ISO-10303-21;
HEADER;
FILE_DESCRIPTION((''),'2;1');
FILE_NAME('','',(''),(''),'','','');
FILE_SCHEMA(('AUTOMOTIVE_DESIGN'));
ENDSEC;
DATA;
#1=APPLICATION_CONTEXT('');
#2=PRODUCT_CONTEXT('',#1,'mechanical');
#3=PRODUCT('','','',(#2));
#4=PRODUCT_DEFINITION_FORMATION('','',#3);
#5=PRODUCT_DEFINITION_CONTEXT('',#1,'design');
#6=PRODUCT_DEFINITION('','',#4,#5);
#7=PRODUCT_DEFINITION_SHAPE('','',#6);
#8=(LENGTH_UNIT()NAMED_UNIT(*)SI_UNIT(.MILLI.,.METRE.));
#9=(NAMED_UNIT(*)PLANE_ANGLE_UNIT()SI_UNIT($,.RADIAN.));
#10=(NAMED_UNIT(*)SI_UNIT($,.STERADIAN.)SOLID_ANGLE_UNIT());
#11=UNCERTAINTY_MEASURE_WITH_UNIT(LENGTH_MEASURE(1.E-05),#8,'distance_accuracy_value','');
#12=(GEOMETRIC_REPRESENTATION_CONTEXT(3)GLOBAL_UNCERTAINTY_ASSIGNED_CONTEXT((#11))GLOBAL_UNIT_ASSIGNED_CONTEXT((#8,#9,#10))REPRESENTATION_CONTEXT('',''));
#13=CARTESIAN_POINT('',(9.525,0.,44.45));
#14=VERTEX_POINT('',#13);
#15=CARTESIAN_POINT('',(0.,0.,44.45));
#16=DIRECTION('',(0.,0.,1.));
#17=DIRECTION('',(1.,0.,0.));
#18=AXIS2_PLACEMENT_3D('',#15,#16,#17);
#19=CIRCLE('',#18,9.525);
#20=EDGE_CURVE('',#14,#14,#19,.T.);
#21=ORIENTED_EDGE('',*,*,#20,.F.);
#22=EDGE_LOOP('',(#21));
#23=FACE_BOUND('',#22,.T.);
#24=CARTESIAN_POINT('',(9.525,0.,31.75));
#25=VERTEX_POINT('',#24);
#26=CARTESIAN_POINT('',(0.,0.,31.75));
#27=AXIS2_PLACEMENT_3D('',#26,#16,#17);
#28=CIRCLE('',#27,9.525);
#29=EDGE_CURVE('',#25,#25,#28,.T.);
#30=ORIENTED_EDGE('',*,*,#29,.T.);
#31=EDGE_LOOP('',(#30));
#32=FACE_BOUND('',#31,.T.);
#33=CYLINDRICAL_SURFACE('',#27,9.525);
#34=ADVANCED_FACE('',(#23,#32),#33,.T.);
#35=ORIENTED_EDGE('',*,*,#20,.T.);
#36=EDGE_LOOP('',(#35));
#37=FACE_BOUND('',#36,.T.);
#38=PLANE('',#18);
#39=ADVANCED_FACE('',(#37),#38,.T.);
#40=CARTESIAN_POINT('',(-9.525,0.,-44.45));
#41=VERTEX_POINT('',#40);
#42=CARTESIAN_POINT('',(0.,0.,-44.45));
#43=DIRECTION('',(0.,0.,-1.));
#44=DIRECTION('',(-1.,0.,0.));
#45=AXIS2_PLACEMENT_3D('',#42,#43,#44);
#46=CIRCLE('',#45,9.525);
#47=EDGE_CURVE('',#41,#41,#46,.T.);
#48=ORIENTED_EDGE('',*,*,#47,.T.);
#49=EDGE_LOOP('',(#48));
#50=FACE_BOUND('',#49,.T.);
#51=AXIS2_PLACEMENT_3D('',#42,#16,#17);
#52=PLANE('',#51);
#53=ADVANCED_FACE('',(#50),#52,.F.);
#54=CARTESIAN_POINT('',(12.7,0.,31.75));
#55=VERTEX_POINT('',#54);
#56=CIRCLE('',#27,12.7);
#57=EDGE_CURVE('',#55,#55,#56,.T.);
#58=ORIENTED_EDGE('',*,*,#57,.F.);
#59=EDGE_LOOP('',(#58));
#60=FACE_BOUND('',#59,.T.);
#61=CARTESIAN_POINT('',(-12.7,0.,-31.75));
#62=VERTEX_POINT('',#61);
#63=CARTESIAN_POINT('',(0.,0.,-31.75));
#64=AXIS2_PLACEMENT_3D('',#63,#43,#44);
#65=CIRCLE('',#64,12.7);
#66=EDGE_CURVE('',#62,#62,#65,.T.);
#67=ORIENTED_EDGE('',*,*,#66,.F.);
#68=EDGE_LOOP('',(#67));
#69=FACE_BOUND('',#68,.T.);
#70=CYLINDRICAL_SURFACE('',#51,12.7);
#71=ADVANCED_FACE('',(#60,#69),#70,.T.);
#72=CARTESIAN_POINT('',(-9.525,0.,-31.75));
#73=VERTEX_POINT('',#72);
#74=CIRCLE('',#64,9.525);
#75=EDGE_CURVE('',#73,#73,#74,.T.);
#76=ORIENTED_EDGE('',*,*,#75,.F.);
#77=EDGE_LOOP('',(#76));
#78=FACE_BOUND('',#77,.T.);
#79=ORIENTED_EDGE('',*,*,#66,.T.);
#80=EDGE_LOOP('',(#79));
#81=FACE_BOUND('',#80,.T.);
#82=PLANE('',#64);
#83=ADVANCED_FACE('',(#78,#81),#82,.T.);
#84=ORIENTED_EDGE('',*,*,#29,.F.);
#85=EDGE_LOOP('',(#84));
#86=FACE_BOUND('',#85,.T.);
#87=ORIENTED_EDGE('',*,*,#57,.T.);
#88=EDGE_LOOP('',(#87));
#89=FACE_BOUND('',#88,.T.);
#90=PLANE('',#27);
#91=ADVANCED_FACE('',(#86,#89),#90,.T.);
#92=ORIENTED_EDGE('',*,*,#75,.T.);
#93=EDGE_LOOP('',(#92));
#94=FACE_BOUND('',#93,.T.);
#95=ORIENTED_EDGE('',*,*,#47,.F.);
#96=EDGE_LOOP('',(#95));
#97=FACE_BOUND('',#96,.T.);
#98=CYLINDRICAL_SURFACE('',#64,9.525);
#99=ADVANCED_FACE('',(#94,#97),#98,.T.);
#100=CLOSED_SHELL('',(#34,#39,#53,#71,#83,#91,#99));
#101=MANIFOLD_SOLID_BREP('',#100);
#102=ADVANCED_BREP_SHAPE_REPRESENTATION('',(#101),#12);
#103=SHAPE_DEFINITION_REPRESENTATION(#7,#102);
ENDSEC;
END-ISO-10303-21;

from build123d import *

# Parameters (mm, degrees)
BOSS_EXTRUDE1_START = 44.45
SKETCH1_R           = 12.7
BOSS_EXTRUDE1_DEPTH = 88.9
SKETCH2_R           = 12.7
SKETCH2_R_2         = 9.525
CUT_EXTRUDE1_DEPTH  = 12.7
CUT_EXTRUDE2_START  = -12.7
SKETCH3_R           = 12.7
SKETCH3_R_2         = 9.525
CUT_EXTRUDE2_DEPTH  = 12.7


with BuildPart() as part:
    # Sketch1 → Boss-Extrude1 (new body)
    with BuildSketch(Plane.XY.offset(BOSS_EXTRUDE1_START)):
        Circle(SKETCH1_R)
    extrude(amount=-BOSS_EXTRUDE1_DEPTH)

    # Sketch2 → Cut-Extrude1 (cut)
    with BuildSketch(Plane.XY.offset(44.45)):
        Circle(SKETCH2_R)
        Circle(SKETCH2_R_2, mode=Mode.SUBTRACT)
    extrude(amount=-CUT_EXTRUDE1_DEPTH, mode=Mode.SUBTRACT)

    # Sketch3 → Cut-Extrude2 (cut)
    with BuildSketch(Plane(origin=(0, 0, -44.45), x_dir=(-1, 0, 0), z_dir=(0, 0, -1)).offset(CUT_EXTRUDE2_START)):
        with Locations(Location((0, 0, 0), (0, 0, 180))):
            Circle(SKETCH3_R)
        with Locations(Location((0, 0, 0), (0, 0, 180))):
            Circle(SKETCH3_R_2, mode=Mode.SUBTRACT)
    extrude(amount=CUT_EXTRUDE2_DEPTH, mode=Mode.SUBTRACT)


solid = part.part
